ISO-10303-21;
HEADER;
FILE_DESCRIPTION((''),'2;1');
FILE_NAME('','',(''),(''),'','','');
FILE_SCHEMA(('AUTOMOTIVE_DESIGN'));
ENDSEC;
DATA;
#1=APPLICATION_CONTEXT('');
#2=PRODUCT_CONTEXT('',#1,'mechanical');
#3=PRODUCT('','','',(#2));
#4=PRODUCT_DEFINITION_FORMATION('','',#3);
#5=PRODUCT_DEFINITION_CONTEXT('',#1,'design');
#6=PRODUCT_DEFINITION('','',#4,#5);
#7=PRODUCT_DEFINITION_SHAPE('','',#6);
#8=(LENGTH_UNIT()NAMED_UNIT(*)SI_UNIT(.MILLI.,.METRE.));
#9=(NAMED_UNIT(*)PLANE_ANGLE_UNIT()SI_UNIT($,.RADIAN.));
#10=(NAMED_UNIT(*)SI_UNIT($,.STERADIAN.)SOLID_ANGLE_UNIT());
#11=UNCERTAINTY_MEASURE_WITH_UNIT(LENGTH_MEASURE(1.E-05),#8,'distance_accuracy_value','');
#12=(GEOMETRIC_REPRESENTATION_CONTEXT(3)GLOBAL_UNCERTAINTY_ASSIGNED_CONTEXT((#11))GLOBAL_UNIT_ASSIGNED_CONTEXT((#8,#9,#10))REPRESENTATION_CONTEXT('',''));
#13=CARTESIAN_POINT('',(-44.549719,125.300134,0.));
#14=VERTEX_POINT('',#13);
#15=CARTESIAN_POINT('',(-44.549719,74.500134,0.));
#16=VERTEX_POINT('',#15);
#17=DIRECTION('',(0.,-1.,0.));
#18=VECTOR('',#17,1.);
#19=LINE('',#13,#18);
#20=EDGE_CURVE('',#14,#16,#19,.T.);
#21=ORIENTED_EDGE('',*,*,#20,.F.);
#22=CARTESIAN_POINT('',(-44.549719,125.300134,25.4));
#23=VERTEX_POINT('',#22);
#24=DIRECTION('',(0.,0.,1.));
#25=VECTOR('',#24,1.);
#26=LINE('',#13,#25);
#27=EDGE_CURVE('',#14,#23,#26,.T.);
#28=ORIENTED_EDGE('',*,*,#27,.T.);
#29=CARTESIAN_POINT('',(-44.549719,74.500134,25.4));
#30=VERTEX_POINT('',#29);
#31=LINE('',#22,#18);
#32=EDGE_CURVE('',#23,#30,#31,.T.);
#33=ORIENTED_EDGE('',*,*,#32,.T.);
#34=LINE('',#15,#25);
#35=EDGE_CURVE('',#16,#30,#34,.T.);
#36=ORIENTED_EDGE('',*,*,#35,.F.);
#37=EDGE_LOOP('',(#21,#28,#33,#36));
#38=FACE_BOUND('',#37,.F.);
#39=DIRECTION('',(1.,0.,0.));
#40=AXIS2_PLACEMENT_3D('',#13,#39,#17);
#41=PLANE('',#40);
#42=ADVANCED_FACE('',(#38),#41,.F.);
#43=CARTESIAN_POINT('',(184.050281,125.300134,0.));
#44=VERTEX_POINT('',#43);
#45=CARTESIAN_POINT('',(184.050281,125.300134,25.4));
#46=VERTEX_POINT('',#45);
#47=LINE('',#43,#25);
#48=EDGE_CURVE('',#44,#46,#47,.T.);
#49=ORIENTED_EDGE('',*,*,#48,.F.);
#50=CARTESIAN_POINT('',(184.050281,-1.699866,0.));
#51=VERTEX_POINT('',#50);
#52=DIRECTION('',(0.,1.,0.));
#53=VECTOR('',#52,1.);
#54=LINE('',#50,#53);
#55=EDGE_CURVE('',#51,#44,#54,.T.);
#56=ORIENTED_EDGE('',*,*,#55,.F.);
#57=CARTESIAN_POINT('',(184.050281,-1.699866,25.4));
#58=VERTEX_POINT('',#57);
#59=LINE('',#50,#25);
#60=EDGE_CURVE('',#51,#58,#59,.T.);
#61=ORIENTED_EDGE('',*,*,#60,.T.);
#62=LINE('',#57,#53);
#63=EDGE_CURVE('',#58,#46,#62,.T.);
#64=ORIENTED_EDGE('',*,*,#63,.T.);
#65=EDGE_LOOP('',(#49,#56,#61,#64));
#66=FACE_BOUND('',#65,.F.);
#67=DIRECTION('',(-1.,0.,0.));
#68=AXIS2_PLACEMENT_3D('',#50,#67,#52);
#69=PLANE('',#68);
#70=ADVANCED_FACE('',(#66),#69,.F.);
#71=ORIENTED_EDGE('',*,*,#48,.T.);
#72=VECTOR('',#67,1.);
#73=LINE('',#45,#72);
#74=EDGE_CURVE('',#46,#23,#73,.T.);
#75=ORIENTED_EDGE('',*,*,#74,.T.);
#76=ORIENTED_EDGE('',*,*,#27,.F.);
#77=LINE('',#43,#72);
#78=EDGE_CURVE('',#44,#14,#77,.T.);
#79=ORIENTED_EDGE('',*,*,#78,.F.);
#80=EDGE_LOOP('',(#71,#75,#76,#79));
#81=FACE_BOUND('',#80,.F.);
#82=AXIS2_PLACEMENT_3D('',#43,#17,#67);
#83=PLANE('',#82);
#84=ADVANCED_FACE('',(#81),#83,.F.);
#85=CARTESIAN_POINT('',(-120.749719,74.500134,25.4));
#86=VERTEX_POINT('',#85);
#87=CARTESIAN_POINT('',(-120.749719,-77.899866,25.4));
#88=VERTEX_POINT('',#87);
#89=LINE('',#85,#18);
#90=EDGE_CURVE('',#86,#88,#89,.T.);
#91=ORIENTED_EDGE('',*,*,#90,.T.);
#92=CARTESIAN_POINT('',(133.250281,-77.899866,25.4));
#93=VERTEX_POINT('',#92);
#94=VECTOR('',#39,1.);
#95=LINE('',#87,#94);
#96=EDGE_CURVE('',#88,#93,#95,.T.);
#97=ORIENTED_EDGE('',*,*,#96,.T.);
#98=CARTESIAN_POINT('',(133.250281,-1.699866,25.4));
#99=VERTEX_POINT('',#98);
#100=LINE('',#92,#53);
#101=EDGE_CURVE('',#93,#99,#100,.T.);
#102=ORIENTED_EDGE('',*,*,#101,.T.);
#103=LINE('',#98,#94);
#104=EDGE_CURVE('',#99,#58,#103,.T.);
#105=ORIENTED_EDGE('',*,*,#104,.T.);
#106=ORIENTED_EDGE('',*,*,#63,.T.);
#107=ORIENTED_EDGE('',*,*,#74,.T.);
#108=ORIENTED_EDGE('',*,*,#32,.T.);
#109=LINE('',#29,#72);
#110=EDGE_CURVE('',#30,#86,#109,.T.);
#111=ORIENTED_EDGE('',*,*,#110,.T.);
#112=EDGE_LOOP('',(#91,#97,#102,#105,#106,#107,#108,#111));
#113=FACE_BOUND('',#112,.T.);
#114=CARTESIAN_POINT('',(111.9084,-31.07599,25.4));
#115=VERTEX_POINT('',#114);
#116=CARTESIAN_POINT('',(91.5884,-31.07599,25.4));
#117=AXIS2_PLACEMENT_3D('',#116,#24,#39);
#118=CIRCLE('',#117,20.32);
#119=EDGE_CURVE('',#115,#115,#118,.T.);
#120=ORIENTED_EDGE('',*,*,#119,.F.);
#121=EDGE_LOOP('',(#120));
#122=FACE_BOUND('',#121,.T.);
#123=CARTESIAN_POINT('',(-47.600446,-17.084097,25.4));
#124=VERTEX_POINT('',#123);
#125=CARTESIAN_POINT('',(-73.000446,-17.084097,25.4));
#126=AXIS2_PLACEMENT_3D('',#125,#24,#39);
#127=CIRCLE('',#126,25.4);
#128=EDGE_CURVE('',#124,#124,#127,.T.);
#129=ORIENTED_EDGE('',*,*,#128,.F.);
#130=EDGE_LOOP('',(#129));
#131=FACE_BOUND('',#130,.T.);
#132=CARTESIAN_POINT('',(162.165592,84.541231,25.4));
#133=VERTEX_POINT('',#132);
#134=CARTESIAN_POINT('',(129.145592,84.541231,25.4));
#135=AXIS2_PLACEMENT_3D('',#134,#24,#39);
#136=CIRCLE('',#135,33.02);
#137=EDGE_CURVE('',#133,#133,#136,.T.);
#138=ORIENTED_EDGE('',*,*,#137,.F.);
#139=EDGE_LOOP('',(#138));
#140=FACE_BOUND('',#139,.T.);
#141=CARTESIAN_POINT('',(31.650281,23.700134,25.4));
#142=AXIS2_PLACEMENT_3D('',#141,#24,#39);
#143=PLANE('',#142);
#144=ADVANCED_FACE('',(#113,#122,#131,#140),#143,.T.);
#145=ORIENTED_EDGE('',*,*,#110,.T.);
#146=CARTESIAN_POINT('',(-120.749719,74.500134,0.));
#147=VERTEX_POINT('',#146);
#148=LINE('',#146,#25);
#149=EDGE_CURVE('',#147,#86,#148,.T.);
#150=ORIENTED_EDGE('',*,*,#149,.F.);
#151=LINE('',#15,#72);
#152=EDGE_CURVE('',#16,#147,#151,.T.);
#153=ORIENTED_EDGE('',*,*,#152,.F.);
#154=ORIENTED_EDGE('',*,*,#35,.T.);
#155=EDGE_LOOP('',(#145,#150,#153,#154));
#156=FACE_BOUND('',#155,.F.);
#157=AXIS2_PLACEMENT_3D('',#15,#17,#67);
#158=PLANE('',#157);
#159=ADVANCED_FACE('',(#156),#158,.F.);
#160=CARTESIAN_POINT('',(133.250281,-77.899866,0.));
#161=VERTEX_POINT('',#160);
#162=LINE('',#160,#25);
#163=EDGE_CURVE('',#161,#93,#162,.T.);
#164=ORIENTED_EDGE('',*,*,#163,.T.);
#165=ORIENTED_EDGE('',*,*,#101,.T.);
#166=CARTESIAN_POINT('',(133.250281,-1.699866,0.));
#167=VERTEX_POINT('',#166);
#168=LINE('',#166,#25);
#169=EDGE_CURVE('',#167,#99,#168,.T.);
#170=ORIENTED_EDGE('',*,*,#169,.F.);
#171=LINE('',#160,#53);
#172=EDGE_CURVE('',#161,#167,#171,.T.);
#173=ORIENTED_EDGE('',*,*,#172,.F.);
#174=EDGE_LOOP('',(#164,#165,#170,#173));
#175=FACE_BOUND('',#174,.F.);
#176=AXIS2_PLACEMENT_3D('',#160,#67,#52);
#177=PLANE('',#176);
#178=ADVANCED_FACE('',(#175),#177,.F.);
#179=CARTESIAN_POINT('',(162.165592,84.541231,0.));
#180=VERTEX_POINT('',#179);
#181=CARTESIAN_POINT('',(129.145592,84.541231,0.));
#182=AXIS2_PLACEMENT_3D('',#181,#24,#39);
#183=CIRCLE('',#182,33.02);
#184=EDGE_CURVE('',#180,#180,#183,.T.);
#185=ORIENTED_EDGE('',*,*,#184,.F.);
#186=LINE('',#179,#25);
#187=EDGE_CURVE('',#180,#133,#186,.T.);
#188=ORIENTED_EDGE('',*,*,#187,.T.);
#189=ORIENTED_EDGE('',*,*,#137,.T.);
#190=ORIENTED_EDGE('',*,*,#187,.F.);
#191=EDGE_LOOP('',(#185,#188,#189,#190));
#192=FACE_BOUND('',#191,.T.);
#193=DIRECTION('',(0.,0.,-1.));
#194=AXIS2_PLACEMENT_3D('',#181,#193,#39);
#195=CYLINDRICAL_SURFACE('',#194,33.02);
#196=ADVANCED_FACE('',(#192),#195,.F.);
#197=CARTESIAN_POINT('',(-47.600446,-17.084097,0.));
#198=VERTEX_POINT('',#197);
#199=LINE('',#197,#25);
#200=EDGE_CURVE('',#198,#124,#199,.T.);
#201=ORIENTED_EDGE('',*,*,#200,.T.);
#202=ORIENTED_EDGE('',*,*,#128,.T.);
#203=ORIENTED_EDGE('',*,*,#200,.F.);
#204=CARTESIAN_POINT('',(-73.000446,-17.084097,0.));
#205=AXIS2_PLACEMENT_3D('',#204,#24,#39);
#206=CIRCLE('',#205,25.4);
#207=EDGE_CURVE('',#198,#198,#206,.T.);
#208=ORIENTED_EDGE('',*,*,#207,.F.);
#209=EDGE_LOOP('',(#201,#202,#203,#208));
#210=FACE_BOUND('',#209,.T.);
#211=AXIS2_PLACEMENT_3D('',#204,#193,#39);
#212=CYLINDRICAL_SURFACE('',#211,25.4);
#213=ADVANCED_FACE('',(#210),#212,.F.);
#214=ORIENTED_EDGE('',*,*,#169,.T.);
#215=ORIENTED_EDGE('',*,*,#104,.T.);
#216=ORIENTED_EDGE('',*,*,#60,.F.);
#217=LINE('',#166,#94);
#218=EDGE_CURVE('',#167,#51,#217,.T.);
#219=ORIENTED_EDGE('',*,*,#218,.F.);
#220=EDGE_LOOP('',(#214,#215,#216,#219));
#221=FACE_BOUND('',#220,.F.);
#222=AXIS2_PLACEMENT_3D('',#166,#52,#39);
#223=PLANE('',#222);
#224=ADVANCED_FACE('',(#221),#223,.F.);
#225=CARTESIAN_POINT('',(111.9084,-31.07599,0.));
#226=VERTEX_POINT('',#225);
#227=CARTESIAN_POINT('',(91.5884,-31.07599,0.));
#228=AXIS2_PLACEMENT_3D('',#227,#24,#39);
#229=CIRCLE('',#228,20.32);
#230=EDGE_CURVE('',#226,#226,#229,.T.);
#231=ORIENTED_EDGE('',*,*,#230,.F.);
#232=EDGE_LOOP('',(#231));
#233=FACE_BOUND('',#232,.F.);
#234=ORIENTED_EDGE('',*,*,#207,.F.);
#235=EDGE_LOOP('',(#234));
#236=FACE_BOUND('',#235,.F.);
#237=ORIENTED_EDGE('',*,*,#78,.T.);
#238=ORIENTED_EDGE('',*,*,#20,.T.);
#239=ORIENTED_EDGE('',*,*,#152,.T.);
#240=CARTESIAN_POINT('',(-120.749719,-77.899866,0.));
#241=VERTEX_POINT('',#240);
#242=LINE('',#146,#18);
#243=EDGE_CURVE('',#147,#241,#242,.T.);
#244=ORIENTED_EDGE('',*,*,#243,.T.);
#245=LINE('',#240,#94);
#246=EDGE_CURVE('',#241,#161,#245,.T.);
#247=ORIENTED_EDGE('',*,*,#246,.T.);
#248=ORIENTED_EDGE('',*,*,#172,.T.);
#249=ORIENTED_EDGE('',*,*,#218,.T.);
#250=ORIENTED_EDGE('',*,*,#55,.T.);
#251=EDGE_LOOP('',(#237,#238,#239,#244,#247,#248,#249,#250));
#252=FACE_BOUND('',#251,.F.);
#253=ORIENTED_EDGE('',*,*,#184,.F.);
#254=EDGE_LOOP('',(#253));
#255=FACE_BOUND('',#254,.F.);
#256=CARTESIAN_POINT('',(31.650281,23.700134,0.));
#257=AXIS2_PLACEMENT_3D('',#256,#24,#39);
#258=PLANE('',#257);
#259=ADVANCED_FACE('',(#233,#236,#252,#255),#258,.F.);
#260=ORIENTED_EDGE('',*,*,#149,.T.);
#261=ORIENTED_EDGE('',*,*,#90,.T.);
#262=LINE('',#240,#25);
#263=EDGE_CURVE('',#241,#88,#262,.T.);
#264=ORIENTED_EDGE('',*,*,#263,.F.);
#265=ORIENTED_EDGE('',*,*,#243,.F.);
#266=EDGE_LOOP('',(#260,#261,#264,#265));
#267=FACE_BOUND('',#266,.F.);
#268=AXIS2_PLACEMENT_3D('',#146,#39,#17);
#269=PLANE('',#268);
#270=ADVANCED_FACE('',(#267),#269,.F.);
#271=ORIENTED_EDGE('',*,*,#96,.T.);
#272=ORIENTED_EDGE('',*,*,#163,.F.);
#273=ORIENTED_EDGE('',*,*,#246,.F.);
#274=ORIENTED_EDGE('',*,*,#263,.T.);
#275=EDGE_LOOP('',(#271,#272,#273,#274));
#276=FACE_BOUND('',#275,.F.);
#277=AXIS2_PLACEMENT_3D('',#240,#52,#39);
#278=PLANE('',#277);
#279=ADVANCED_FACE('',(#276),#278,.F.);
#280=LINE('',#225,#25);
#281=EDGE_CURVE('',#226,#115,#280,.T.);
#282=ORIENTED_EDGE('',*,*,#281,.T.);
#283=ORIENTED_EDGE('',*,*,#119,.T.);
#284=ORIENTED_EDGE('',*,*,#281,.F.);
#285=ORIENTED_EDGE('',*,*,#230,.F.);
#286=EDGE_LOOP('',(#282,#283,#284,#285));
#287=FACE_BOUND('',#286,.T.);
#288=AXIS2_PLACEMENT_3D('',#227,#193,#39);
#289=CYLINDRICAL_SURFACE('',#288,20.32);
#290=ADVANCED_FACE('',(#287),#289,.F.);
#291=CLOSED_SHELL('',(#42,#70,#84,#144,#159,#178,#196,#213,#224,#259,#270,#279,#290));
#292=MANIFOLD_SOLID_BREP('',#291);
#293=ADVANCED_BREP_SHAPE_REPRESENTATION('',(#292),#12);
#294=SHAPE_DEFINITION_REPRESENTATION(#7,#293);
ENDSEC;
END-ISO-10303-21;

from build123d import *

# Parameters (mm, degrees)
F0_R     = 25.4
F0_R_2   = 20.32
F0_R_3   = 33.02
F1_DEPTH = 25.4


with BuildPart() as f1:
    # F0 (on Top) → F1 (new body)
    with BuildSketch(Plane.XY):
        Polygon((-120.749719, 74.500134), (-120.749719, -77.899866), (133.250281, -77.899866), (133.250281, -1.699866), (184.050281, -1.699866), (184.050281, 125.300134), (-44.549719, 125.300134), (-44.549719, 74.500134), align=None)
        with Locations((-73.000446, -17.084097)):
            Circle(F0_R, mode=Mode.SUBTRACT)
        with Locations((91.5884, -31.07599)):
            Circle(F0_R_2, mode=Mode.SUBTRACT)
        with Locations((129.145592, 84.541231)):
            Circle(F0_R_3, mode=Mode.SUBTRACT)
    extrude(amount=F1_DEPTH)


solid = f1.part
